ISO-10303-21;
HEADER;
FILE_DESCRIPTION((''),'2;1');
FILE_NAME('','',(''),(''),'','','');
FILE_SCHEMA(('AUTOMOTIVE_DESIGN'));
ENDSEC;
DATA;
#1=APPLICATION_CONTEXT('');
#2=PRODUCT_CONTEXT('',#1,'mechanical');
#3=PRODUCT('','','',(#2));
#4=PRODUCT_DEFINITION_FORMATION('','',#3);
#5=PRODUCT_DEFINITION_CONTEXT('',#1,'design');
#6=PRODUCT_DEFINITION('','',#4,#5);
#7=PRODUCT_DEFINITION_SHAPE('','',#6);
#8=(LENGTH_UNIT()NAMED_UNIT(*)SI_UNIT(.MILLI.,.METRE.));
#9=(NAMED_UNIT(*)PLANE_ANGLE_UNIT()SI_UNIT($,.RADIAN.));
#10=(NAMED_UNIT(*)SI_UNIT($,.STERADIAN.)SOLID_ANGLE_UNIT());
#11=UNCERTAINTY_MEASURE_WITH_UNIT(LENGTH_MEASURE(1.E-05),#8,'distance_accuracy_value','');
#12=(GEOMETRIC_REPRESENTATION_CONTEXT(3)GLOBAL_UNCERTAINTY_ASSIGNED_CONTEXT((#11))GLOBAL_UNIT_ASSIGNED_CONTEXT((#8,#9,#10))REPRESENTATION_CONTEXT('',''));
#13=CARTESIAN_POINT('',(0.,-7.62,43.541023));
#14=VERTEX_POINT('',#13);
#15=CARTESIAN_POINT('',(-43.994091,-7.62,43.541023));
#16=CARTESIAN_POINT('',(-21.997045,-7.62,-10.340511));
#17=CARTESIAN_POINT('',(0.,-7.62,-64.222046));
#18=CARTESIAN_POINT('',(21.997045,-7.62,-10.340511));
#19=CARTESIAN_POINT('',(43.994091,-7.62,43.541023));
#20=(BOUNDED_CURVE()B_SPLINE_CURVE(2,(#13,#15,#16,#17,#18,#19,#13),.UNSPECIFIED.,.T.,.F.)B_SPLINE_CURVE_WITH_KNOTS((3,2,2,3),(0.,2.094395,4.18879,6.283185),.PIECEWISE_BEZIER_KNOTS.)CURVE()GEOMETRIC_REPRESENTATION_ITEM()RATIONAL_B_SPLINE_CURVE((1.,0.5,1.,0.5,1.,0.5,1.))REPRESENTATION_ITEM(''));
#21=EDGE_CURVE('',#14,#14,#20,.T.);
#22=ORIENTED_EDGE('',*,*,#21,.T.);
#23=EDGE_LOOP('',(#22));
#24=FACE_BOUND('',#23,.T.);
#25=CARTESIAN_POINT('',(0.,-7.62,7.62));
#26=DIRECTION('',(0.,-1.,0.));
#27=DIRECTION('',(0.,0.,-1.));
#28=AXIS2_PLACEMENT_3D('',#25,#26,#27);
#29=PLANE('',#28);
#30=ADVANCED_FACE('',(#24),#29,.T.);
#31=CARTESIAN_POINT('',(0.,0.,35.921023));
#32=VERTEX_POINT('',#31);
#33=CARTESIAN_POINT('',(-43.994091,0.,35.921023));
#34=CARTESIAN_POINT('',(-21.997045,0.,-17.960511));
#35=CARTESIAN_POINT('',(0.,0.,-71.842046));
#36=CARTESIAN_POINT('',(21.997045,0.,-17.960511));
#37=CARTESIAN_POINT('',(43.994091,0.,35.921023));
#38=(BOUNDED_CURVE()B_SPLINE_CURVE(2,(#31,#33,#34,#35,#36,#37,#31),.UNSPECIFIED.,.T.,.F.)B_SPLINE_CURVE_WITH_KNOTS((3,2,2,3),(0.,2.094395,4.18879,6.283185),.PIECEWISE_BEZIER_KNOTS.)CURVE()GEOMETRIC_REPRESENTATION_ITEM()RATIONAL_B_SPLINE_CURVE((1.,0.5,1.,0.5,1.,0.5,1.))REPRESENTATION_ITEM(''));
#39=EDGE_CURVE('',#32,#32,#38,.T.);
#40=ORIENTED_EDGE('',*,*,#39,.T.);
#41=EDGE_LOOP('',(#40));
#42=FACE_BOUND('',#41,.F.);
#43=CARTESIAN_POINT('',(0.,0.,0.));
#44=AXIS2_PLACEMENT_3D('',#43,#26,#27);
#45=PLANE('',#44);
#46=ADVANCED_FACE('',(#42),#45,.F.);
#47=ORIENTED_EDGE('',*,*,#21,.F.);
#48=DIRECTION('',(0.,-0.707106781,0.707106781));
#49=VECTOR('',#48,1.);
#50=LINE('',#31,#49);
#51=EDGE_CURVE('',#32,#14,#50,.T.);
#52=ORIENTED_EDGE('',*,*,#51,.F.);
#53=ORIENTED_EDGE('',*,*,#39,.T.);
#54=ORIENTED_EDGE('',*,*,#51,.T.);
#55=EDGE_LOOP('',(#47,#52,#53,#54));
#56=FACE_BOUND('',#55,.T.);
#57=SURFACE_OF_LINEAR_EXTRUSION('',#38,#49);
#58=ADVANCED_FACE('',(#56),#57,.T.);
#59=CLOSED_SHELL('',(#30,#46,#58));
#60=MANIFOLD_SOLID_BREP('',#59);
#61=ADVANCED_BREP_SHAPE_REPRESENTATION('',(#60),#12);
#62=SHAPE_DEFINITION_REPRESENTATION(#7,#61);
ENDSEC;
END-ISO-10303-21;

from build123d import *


with BuildPart() as f3:
    # F3: sweep along a path in F1
    with BuildLine(Plane.YZ) as f3_path:
        Line((0, 0), (-7.62, 7.62))
    # F2 (on Front) → F3 (sweep)
    with BuildSketch(Plane.XZ):
        with BuildLine():
            add(Edge.make_bspline(
                [(0, 35.921023), (-43.994091, 35.921023), (-21.997045, -17.960511), (0, -71.842046), (21.997045, -17.960511), (43.994091, 35.921023), (0, 35.921023)],
                knots=[0, 0, 0, 2.094395, 2.094395, 4.18879, 4.18879, 6.283185, 6.283185, 6.283185], degree=2, weights=[1, 0.5, 1, 0.5, 1, 0.5, 1]))
        make_face()
    sweep(path=f3_path.line)


solid = f3.part
